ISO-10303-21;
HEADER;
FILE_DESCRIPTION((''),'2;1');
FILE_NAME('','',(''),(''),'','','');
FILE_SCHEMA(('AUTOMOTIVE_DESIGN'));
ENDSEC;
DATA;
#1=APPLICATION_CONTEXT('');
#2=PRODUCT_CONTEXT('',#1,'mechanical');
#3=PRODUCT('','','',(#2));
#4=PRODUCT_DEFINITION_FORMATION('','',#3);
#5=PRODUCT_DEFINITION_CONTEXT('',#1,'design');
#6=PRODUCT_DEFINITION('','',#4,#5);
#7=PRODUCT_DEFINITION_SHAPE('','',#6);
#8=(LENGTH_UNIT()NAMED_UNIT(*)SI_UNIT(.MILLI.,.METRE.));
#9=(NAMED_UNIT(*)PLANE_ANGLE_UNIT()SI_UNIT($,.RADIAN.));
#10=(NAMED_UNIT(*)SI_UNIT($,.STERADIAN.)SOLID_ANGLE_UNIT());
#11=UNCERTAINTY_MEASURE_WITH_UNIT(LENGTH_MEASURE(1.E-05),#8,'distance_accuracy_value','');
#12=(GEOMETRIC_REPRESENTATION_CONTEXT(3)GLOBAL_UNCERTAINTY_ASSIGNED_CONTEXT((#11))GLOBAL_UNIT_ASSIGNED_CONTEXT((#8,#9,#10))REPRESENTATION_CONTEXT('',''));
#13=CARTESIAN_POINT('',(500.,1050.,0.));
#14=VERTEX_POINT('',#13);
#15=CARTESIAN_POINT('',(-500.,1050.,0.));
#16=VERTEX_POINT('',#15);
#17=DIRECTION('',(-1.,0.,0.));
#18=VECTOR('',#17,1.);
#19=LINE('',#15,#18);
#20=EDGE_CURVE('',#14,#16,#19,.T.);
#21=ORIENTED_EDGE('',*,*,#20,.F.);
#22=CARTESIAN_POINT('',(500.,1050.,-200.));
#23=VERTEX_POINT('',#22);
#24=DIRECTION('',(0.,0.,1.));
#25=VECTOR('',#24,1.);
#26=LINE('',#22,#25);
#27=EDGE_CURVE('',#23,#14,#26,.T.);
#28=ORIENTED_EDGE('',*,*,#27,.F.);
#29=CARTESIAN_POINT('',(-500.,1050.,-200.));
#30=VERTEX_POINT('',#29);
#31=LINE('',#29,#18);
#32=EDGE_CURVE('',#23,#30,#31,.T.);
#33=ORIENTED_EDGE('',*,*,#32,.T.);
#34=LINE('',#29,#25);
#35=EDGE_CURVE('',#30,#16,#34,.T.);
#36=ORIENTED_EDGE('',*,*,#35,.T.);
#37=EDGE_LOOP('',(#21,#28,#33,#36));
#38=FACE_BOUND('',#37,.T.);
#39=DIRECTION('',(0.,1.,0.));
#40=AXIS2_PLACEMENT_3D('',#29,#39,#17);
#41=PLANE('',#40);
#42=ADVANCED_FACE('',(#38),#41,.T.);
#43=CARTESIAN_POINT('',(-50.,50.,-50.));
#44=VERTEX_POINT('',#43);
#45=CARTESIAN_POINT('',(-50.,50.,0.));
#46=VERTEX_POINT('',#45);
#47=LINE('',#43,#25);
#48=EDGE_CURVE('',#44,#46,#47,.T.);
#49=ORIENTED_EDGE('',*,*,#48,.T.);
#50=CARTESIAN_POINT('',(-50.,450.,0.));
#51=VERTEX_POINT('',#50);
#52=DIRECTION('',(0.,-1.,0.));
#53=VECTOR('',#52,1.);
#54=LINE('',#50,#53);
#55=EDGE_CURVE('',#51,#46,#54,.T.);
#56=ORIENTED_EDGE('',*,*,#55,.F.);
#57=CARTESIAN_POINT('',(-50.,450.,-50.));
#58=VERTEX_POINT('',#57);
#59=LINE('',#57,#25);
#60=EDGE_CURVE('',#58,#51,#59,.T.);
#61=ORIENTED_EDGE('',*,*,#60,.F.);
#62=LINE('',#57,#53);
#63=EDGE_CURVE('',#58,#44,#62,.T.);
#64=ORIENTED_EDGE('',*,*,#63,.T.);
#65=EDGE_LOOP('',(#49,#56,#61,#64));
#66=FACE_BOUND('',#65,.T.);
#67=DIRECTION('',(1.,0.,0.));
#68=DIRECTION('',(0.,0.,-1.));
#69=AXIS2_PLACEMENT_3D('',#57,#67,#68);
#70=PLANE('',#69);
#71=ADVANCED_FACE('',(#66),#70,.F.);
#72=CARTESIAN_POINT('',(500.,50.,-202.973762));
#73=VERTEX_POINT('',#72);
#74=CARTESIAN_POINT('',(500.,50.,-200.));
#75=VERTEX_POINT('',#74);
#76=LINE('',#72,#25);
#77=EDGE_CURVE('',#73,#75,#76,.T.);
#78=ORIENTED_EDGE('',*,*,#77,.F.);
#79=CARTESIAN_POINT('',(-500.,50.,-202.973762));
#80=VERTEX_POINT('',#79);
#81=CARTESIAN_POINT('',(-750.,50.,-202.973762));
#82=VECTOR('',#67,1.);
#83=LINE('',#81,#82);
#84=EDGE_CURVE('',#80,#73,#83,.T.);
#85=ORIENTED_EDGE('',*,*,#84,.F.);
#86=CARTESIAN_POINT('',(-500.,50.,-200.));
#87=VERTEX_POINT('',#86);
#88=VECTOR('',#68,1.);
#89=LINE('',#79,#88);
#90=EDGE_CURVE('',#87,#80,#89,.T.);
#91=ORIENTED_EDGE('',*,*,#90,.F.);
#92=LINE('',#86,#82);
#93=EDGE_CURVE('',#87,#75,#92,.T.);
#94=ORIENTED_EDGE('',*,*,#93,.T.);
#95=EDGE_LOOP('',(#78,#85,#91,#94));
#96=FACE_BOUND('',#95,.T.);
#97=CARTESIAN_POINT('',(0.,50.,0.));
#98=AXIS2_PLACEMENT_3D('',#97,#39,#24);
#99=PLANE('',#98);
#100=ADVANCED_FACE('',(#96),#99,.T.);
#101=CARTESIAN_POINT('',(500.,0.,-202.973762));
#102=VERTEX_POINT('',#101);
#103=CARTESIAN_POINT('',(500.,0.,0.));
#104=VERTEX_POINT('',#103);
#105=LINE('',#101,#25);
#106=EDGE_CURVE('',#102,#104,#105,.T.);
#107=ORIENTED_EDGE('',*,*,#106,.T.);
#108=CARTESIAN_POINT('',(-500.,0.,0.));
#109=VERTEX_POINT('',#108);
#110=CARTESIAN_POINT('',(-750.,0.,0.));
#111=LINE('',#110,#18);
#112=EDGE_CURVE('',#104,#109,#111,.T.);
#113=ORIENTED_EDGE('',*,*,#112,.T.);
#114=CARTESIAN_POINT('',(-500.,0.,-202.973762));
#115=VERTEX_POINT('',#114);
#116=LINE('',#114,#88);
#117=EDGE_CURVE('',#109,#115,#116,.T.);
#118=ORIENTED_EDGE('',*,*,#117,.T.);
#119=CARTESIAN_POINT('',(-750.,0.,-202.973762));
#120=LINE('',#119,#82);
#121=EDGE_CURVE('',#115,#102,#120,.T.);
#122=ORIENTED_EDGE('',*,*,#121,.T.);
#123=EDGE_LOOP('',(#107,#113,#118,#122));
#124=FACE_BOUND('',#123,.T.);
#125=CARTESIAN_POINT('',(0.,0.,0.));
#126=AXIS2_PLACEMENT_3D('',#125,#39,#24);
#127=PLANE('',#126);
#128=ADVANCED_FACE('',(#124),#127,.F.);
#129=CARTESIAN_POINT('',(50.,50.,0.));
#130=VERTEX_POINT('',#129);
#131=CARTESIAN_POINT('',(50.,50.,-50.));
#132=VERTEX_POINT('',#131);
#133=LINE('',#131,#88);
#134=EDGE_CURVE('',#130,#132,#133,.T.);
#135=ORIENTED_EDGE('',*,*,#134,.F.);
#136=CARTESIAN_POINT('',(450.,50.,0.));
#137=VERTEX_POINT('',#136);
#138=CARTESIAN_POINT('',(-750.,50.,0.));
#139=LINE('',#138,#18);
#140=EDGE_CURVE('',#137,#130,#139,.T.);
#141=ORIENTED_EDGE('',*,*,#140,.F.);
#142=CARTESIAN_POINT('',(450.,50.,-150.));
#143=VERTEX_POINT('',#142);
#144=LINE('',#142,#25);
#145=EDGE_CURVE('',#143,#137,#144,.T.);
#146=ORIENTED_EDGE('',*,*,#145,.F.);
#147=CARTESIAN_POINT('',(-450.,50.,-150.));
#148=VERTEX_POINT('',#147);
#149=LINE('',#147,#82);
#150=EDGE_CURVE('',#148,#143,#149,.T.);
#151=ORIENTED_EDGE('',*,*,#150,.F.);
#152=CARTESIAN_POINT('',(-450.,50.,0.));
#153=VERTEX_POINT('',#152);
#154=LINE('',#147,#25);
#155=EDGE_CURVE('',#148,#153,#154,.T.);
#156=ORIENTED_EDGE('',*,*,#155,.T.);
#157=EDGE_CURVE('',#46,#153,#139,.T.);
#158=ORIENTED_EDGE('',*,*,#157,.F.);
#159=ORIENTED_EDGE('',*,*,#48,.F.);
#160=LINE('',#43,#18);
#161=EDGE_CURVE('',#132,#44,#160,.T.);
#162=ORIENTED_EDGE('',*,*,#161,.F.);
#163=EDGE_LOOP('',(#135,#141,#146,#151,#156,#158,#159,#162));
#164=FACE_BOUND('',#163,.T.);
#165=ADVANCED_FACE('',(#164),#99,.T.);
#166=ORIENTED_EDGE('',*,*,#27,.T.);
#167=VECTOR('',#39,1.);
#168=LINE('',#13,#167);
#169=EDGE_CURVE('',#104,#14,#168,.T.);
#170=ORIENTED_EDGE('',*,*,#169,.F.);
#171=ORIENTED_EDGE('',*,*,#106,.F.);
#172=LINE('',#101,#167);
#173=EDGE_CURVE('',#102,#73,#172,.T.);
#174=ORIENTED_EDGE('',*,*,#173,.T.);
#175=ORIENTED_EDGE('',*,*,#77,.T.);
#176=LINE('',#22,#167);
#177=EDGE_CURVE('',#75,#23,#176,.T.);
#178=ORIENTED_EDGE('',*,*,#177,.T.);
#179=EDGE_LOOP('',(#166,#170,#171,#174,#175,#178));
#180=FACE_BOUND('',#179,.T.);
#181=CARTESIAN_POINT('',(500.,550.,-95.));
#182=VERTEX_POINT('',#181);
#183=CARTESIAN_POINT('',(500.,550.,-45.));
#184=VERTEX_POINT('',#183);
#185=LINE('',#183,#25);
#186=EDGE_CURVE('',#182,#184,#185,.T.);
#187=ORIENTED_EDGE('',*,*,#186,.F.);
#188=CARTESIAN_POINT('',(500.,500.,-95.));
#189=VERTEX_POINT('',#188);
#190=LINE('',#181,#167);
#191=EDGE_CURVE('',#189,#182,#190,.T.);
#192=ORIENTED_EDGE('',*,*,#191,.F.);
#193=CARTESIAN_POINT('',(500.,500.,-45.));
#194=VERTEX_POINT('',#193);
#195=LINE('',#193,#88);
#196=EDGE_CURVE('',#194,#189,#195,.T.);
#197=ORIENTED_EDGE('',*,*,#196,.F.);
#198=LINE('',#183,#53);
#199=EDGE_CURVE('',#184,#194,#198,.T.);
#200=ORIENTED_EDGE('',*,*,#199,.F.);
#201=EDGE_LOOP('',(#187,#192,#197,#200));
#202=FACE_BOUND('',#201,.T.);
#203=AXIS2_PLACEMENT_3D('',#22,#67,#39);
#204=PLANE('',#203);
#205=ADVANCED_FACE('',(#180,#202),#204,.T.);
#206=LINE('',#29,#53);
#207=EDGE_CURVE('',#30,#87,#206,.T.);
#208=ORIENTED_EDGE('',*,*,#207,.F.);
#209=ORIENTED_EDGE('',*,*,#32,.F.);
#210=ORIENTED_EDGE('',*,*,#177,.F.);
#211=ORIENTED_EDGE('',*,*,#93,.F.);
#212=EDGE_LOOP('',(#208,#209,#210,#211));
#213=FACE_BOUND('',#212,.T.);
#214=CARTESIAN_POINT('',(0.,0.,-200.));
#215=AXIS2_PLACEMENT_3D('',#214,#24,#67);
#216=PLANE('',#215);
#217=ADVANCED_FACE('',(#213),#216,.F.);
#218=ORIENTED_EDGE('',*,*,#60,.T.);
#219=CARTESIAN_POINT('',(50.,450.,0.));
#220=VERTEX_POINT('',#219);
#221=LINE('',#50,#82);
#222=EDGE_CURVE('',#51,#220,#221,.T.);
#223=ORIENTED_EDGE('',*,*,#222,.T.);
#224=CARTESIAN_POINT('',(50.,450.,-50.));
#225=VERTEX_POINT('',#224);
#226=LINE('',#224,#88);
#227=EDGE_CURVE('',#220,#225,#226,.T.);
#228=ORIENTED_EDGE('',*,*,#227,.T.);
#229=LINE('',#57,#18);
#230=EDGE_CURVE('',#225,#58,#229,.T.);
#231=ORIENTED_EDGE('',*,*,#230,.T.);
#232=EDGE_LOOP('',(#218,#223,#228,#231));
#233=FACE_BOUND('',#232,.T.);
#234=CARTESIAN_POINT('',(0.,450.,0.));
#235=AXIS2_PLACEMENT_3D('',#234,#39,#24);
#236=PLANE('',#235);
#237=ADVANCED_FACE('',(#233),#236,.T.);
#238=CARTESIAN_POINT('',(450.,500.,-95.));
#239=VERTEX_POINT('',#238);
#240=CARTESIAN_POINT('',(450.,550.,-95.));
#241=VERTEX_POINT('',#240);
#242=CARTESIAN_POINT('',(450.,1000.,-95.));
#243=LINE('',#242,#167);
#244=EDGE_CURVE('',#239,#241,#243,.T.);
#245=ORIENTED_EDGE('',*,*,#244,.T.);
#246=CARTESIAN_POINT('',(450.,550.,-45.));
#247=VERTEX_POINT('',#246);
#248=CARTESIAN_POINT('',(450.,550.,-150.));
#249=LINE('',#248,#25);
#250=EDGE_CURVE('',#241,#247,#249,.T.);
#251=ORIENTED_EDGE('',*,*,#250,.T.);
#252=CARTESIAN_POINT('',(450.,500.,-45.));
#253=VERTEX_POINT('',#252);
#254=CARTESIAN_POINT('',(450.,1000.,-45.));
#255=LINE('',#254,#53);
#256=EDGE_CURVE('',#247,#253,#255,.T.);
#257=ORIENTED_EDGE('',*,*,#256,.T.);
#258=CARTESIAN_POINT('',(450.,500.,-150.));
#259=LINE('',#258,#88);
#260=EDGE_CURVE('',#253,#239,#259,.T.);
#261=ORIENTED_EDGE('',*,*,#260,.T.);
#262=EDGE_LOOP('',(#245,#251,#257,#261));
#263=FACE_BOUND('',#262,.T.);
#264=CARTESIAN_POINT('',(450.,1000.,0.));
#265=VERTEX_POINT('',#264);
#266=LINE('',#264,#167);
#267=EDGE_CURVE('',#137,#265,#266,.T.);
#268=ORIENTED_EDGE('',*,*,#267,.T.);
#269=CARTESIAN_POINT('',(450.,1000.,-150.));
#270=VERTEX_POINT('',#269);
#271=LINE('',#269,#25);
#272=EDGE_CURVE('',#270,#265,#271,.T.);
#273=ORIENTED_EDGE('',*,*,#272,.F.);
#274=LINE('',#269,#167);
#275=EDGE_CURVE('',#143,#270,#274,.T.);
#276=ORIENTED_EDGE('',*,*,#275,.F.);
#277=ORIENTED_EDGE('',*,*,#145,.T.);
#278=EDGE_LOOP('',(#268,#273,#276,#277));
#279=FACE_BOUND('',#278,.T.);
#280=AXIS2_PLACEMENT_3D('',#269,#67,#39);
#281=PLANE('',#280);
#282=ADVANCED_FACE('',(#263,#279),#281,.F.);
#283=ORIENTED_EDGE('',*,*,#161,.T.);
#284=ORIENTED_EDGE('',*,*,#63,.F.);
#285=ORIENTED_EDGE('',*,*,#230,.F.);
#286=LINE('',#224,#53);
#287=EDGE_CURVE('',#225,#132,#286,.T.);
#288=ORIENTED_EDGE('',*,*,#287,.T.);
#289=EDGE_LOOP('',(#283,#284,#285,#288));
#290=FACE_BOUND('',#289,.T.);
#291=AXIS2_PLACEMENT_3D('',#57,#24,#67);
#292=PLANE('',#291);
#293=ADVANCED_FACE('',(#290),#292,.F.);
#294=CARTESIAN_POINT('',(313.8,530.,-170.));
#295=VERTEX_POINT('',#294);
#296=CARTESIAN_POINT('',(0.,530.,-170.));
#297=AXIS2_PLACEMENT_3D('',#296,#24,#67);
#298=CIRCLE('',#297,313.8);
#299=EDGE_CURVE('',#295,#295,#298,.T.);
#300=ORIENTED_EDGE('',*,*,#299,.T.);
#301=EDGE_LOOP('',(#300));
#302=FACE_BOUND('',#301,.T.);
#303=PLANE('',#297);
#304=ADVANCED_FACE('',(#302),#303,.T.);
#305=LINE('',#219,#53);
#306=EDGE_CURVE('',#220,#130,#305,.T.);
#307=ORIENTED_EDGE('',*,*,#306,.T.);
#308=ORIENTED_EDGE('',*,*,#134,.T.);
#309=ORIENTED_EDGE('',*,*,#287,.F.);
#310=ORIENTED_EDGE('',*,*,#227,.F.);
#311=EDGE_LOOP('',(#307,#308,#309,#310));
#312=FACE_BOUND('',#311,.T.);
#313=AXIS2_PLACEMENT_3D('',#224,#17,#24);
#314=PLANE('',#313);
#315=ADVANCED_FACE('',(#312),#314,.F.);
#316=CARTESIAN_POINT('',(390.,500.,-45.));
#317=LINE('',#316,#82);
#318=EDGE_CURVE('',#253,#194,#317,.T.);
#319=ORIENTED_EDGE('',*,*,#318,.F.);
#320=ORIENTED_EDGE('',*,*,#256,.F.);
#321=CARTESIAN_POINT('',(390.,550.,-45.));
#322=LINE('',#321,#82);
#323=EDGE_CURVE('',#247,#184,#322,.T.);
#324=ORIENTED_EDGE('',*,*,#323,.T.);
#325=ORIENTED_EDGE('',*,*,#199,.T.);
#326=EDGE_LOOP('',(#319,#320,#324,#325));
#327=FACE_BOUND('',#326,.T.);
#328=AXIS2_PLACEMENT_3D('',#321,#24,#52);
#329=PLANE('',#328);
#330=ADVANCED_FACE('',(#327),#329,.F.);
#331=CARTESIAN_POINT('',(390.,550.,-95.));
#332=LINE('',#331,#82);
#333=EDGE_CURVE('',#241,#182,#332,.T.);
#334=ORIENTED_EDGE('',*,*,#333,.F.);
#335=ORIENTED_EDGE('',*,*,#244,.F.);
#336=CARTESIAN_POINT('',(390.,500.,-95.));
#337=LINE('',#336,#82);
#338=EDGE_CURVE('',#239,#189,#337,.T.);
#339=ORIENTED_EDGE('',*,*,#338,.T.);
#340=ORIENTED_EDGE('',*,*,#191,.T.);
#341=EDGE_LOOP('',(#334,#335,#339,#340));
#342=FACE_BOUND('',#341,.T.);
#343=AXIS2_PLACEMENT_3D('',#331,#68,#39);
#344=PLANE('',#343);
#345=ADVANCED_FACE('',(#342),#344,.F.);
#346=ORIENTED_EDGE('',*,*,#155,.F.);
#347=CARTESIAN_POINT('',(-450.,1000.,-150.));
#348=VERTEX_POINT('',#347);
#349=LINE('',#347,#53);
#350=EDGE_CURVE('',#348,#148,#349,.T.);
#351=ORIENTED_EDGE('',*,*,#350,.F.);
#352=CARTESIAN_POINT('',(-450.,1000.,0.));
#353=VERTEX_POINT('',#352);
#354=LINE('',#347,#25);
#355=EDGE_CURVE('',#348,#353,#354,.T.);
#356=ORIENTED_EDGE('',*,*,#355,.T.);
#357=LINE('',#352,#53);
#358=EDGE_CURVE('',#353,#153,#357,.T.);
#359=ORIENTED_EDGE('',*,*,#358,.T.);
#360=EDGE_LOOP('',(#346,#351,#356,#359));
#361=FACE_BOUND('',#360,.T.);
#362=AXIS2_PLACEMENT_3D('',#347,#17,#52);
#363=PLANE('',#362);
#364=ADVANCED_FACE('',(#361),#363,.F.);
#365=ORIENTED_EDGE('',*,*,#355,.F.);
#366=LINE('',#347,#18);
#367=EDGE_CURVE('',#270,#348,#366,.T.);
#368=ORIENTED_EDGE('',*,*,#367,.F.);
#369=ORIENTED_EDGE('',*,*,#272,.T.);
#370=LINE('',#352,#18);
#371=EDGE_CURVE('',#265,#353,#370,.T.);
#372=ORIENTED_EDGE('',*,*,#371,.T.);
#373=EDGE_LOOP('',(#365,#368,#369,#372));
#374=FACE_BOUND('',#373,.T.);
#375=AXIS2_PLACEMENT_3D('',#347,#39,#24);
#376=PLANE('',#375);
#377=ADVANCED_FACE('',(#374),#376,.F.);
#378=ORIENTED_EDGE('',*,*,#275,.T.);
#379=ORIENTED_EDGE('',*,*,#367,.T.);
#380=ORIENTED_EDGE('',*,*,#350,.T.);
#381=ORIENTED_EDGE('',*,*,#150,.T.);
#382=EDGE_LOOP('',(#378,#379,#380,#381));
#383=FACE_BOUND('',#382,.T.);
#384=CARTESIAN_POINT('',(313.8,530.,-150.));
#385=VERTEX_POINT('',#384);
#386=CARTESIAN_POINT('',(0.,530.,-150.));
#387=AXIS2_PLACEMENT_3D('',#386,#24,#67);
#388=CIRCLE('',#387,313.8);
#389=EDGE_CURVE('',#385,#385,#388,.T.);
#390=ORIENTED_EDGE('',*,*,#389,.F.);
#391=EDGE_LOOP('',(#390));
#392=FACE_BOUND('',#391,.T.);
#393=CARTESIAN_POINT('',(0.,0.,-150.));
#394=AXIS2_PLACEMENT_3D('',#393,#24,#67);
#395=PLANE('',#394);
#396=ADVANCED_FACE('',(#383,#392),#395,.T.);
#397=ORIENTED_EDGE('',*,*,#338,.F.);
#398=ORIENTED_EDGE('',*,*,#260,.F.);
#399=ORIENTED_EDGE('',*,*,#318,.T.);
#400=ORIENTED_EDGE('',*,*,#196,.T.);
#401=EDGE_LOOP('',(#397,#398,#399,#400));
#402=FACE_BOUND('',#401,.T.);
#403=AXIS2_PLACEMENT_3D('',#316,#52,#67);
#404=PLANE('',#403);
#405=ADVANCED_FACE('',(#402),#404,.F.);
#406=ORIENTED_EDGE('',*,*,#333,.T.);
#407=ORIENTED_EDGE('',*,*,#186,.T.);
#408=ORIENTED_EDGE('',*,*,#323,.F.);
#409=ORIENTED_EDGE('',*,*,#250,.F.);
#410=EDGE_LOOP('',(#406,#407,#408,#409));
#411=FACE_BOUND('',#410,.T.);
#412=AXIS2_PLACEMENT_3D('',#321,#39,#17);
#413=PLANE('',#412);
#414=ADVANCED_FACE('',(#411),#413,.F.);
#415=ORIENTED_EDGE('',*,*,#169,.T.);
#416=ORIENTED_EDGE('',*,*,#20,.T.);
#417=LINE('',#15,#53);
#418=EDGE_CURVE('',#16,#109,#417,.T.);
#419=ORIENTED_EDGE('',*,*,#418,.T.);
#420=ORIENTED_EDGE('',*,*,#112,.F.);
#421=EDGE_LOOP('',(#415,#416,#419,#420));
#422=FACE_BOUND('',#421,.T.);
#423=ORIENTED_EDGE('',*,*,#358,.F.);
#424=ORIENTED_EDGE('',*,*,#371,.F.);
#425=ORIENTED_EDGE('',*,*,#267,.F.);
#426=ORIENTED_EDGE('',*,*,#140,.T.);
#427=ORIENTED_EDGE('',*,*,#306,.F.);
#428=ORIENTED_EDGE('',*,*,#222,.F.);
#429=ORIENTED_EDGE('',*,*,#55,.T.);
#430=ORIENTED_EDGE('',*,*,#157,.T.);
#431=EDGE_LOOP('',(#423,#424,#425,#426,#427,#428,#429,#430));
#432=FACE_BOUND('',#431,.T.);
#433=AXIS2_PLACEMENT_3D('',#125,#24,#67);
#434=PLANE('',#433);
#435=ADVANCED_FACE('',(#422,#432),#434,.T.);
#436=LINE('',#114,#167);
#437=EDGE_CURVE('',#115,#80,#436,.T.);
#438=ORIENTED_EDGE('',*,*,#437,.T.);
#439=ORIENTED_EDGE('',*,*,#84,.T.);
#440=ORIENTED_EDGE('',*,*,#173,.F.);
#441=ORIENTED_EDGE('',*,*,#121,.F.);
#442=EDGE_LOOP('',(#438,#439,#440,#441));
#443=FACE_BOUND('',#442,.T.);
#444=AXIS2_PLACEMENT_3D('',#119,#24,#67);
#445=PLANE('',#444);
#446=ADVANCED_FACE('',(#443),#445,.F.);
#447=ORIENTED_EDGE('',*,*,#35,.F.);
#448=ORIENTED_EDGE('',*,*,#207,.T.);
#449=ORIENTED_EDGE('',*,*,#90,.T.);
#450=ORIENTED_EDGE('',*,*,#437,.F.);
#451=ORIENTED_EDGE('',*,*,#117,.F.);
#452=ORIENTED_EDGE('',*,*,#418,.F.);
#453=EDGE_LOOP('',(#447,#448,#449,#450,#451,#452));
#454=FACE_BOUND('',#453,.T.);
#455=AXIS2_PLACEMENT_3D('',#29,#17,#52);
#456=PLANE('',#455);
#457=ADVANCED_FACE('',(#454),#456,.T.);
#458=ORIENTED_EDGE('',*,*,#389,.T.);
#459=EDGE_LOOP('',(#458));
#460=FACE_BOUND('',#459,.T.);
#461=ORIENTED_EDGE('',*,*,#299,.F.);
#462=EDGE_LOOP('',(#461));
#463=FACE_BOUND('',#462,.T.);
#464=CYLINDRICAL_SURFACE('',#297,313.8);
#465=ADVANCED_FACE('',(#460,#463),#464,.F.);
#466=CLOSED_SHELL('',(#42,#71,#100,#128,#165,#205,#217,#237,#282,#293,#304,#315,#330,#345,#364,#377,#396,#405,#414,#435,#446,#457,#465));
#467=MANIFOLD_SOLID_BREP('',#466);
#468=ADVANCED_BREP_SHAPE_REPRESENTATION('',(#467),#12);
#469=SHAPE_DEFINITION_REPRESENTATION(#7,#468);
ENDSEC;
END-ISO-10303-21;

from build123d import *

# Parameters (mm, degrees)
SKETCH1_W           = 1500
SKETCH1_H           = 1000
BOSS_EXTRUDE1_DEPTH = 50
SKETCH2_W           = 1000
SKETCH2_H           = 1000
BOSS_EXTRUDE2_DEPTH = 200
SKETCH3_W           = 900
SKETCH3_H           = 950
CUT_EXTRUDE1_DEPTH  = 150
SKETCH4_W           = 100
SKETCH4_H           = 50
BOSS_EXTRUDE3_DEPTH = 400
SKETCH5_W           = 50
SKETCH5_H           = 50
CUT_EXTRUDE2_DEPTH  = 110
SKETCH7_W           = 1500
SKETCH7_H           = 500
CUT_EXTRUDE3_DEPTH  = 1347.291201784
SKETCH8_W           = 1500
SKETCH8_H           = 297.02623805
CUT_EXTRUDE4_DEPTH  = 1347.291201784
SKETCH9_W           = 250
SKETCH9_H           = 202.97376195
CUT_EXTRUDE5_DEPTH  = 1267.372120682
SKETCH10_R          = 313.8
CUT_EXTRUDE6_DEPTH  = 20


with BuildPart() as part:
    # Sketch1 → Boss-Extrude1 (new body)
    with BuildSketch(Plane(origin=(0, 0, 0), x_dir=(1, 0, 0), z_dir=(0, 1, 0))):
        Rectangle(SKETCH1_W, SKETCH1_H)
    extrude(amount=BOSS_EXTRUDE1_DEPTH)

    # Sketch2 → Boss-Extrude2 (add)
    with BuildSketch(Plane.XY):
        with Locations((0, 550)):
            Rectangle(SKETCH2_W, SKETCH2_H)
    extrude(amount=-BOSS_EXTRUDE2_DEPTH)

    # Sketch3 → Cut-Extrude1 (cut)
    with BuildSketch(Plane.XY):
        with Locations((0, 525)):
            Rectangle(SKETCH3_W, SKETCH3_H)
    extrude(amount=-CUT_EXTRUDE1_DEPTH, mode=Mode.SUBTRACT)

    # Sketch4 → Boss-Extrude3 (add)
    with BuildSketch(Plane(origin=(0, 50, 0), x_dir=(1, 0, 0), z_dir=(0, 1, 0))):
        with Locations((0, 25)):
            Rectangle(SKETCH4_W, SKETCH4_H)
    extrude(amount=BOSS_EXTRUDE3_DEPTH)

    # Sketch5 → Cut-Extrude2 (cut)
    with BuildSketch(Plane(origin=(500, 0, 0), x_dir=(0, 0, -1), z_dir=(1, 0, 0))):
        with Locations((70, 525)):
            Rectangle(SKETCH5_W, SKETCH5_H)
    extrude(amount=-CUT_EXTRUDE2_DEPTH, mode=Mode.SUBTRACT)

    # Sketch7 → Cut-Extrude3 (cut, through all)
    with BuildSketch(Plane(origin=(0, 50, 0), x_dir=(1, 0, 0), z_dir=(0, 1, 0))):
        with Locations((0, -250)):
            Rectangle(SKETCH7_W, SKETCH7_H)
    extrude(amount=-CUT_EXTRUDE3_DEPTH, mode=Mode.SUBTRACT)

    # Sketch8 → Cut-Extrude4 (cut, through all)
    with BuildSketch(Plane(origin=(0, 50, 0), x_dir=(1, 0, 0), z_dir=(0, 1, 0))):
        with Locations((0, 351.486880975)):
            Rectangle(SKETCH8_W, SKETCH8_H)
    extrude(amount=-CUT_EXTRUDE4_DEPTH, mode=Mode.SUBTRACT)

    # Sketch9 → Cut-Extrude5 (cut, through all)
    with BuildSketch(Plane(origin=(0, 50, 0), x_dir=(1, 0, 0), z_dir=(0, 1, 0))):
        with Locations((-625, 101.486880975)):
            Rectangle(SKETCH9_W, SKETCH9_H)
        with Locations((625, 101.486880975)):
            Rectangle(SKETCH9_W, SKETCH9_H)
    extrude(amount=-CUT_EXTRUDE5_DEPTH, mode=Mode.SUBTRACT)

    # Sketch10 → Cut-Extrude6 (cut)
    with BuildSketch(Plane.XY.offset(-150)):
        with Locations((0, 530)):
            Circle(SKETCH10_R)
    extrude(amount=-CUT_EXTRUDE6_DEPTH, mode=Mode.SUBTRACT)


solid = part.part
